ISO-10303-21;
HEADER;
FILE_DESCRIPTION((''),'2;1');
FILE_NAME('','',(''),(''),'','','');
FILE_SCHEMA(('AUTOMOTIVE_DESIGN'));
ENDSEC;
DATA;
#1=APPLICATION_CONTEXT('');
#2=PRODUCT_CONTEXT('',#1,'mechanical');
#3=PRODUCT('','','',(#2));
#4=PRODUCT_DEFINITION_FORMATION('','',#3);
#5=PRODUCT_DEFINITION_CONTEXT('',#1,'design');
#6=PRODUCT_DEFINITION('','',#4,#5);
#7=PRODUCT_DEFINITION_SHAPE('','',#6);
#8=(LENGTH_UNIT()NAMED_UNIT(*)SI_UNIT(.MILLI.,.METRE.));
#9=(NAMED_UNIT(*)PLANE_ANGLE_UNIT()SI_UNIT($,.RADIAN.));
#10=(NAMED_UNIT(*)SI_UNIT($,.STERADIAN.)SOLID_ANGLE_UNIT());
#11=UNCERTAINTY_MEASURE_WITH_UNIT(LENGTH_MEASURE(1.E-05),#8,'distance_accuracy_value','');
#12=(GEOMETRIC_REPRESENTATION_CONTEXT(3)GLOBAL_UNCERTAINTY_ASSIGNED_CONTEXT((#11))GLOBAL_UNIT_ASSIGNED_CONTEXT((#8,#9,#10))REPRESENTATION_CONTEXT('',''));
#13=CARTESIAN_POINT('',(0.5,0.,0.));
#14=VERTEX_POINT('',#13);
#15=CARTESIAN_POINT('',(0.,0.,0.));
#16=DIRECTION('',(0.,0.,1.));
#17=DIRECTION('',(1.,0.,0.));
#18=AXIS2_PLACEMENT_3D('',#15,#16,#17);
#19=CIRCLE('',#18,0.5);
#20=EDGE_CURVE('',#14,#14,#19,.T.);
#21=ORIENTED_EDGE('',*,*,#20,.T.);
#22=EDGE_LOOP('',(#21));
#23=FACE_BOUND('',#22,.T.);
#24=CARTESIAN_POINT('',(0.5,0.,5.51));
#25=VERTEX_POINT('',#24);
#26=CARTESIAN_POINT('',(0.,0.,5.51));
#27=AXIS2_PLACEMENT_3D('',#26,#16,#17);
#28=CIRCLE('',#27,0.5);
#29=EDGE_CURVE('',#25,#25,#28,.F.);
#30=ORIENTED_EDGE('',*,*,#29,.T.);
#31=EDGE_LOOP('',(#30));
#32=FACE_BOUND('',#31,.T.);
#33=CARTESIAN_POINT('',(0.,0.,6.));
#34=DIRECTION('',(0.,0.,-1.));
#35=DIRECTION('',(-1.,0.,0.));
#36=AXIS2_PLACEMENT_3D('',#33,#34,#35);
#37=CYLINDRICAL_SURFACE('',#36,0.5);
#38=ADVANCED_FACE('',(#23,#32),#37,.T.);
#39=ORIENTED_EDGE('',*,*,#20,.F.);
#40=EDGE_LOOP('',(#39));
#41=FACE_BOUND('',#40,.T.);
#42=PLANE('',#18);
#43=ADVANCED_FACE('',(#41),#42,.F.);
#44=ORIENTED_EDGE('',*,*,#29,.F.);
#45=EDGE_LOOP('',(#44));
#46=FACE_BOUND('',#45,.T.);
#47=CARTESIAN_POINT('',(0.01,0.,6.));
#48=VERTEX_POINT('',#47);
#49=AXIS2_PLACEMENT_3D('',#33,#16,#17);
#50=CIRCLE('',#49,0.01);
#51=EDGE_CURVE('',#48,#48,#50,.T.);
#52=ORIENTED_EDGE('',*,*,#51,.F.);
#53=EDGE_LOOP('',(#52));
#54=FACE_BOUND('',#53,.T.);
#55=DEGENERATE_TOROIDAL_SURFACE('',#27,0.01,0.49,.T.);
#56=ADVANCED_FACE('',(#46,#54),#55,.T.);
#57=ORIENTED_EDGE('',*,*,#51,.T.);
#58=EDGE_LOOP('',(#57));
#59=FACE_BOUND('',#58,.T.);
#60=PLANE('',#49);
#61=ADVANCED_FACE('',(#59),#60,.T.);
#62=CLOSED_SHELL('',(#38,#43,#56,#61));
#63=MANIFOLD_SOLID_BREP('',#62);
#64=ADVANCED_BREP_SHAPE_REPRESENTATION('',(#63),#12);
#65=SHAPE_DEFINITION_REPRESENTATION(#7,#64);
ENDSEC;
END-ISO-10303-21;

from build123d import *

# Parameters (mm, degrees)
SKETCH1_R           = 0.5
BOSS_EXTRUDE1_DEPTH = 6
FILLET1_R           = 0.49


with BuildPart() as part:
    # Sketch1 → Boss-Extrude1 (new body)
    with BuildSketch(Plane.XY):
        Circle(SKETCH1_R)
    extrude(amount=BOSS_EXTRUDE1_DEPTH)

    # Fillet1
    fillet1_edges = [part.edges().sort_by_distance(p)[0] for p in [
        (-0.5, 0, 6),
    ]]
    fillet(fillet1_edges, radius=FILLET1_R)


solid = part.part
